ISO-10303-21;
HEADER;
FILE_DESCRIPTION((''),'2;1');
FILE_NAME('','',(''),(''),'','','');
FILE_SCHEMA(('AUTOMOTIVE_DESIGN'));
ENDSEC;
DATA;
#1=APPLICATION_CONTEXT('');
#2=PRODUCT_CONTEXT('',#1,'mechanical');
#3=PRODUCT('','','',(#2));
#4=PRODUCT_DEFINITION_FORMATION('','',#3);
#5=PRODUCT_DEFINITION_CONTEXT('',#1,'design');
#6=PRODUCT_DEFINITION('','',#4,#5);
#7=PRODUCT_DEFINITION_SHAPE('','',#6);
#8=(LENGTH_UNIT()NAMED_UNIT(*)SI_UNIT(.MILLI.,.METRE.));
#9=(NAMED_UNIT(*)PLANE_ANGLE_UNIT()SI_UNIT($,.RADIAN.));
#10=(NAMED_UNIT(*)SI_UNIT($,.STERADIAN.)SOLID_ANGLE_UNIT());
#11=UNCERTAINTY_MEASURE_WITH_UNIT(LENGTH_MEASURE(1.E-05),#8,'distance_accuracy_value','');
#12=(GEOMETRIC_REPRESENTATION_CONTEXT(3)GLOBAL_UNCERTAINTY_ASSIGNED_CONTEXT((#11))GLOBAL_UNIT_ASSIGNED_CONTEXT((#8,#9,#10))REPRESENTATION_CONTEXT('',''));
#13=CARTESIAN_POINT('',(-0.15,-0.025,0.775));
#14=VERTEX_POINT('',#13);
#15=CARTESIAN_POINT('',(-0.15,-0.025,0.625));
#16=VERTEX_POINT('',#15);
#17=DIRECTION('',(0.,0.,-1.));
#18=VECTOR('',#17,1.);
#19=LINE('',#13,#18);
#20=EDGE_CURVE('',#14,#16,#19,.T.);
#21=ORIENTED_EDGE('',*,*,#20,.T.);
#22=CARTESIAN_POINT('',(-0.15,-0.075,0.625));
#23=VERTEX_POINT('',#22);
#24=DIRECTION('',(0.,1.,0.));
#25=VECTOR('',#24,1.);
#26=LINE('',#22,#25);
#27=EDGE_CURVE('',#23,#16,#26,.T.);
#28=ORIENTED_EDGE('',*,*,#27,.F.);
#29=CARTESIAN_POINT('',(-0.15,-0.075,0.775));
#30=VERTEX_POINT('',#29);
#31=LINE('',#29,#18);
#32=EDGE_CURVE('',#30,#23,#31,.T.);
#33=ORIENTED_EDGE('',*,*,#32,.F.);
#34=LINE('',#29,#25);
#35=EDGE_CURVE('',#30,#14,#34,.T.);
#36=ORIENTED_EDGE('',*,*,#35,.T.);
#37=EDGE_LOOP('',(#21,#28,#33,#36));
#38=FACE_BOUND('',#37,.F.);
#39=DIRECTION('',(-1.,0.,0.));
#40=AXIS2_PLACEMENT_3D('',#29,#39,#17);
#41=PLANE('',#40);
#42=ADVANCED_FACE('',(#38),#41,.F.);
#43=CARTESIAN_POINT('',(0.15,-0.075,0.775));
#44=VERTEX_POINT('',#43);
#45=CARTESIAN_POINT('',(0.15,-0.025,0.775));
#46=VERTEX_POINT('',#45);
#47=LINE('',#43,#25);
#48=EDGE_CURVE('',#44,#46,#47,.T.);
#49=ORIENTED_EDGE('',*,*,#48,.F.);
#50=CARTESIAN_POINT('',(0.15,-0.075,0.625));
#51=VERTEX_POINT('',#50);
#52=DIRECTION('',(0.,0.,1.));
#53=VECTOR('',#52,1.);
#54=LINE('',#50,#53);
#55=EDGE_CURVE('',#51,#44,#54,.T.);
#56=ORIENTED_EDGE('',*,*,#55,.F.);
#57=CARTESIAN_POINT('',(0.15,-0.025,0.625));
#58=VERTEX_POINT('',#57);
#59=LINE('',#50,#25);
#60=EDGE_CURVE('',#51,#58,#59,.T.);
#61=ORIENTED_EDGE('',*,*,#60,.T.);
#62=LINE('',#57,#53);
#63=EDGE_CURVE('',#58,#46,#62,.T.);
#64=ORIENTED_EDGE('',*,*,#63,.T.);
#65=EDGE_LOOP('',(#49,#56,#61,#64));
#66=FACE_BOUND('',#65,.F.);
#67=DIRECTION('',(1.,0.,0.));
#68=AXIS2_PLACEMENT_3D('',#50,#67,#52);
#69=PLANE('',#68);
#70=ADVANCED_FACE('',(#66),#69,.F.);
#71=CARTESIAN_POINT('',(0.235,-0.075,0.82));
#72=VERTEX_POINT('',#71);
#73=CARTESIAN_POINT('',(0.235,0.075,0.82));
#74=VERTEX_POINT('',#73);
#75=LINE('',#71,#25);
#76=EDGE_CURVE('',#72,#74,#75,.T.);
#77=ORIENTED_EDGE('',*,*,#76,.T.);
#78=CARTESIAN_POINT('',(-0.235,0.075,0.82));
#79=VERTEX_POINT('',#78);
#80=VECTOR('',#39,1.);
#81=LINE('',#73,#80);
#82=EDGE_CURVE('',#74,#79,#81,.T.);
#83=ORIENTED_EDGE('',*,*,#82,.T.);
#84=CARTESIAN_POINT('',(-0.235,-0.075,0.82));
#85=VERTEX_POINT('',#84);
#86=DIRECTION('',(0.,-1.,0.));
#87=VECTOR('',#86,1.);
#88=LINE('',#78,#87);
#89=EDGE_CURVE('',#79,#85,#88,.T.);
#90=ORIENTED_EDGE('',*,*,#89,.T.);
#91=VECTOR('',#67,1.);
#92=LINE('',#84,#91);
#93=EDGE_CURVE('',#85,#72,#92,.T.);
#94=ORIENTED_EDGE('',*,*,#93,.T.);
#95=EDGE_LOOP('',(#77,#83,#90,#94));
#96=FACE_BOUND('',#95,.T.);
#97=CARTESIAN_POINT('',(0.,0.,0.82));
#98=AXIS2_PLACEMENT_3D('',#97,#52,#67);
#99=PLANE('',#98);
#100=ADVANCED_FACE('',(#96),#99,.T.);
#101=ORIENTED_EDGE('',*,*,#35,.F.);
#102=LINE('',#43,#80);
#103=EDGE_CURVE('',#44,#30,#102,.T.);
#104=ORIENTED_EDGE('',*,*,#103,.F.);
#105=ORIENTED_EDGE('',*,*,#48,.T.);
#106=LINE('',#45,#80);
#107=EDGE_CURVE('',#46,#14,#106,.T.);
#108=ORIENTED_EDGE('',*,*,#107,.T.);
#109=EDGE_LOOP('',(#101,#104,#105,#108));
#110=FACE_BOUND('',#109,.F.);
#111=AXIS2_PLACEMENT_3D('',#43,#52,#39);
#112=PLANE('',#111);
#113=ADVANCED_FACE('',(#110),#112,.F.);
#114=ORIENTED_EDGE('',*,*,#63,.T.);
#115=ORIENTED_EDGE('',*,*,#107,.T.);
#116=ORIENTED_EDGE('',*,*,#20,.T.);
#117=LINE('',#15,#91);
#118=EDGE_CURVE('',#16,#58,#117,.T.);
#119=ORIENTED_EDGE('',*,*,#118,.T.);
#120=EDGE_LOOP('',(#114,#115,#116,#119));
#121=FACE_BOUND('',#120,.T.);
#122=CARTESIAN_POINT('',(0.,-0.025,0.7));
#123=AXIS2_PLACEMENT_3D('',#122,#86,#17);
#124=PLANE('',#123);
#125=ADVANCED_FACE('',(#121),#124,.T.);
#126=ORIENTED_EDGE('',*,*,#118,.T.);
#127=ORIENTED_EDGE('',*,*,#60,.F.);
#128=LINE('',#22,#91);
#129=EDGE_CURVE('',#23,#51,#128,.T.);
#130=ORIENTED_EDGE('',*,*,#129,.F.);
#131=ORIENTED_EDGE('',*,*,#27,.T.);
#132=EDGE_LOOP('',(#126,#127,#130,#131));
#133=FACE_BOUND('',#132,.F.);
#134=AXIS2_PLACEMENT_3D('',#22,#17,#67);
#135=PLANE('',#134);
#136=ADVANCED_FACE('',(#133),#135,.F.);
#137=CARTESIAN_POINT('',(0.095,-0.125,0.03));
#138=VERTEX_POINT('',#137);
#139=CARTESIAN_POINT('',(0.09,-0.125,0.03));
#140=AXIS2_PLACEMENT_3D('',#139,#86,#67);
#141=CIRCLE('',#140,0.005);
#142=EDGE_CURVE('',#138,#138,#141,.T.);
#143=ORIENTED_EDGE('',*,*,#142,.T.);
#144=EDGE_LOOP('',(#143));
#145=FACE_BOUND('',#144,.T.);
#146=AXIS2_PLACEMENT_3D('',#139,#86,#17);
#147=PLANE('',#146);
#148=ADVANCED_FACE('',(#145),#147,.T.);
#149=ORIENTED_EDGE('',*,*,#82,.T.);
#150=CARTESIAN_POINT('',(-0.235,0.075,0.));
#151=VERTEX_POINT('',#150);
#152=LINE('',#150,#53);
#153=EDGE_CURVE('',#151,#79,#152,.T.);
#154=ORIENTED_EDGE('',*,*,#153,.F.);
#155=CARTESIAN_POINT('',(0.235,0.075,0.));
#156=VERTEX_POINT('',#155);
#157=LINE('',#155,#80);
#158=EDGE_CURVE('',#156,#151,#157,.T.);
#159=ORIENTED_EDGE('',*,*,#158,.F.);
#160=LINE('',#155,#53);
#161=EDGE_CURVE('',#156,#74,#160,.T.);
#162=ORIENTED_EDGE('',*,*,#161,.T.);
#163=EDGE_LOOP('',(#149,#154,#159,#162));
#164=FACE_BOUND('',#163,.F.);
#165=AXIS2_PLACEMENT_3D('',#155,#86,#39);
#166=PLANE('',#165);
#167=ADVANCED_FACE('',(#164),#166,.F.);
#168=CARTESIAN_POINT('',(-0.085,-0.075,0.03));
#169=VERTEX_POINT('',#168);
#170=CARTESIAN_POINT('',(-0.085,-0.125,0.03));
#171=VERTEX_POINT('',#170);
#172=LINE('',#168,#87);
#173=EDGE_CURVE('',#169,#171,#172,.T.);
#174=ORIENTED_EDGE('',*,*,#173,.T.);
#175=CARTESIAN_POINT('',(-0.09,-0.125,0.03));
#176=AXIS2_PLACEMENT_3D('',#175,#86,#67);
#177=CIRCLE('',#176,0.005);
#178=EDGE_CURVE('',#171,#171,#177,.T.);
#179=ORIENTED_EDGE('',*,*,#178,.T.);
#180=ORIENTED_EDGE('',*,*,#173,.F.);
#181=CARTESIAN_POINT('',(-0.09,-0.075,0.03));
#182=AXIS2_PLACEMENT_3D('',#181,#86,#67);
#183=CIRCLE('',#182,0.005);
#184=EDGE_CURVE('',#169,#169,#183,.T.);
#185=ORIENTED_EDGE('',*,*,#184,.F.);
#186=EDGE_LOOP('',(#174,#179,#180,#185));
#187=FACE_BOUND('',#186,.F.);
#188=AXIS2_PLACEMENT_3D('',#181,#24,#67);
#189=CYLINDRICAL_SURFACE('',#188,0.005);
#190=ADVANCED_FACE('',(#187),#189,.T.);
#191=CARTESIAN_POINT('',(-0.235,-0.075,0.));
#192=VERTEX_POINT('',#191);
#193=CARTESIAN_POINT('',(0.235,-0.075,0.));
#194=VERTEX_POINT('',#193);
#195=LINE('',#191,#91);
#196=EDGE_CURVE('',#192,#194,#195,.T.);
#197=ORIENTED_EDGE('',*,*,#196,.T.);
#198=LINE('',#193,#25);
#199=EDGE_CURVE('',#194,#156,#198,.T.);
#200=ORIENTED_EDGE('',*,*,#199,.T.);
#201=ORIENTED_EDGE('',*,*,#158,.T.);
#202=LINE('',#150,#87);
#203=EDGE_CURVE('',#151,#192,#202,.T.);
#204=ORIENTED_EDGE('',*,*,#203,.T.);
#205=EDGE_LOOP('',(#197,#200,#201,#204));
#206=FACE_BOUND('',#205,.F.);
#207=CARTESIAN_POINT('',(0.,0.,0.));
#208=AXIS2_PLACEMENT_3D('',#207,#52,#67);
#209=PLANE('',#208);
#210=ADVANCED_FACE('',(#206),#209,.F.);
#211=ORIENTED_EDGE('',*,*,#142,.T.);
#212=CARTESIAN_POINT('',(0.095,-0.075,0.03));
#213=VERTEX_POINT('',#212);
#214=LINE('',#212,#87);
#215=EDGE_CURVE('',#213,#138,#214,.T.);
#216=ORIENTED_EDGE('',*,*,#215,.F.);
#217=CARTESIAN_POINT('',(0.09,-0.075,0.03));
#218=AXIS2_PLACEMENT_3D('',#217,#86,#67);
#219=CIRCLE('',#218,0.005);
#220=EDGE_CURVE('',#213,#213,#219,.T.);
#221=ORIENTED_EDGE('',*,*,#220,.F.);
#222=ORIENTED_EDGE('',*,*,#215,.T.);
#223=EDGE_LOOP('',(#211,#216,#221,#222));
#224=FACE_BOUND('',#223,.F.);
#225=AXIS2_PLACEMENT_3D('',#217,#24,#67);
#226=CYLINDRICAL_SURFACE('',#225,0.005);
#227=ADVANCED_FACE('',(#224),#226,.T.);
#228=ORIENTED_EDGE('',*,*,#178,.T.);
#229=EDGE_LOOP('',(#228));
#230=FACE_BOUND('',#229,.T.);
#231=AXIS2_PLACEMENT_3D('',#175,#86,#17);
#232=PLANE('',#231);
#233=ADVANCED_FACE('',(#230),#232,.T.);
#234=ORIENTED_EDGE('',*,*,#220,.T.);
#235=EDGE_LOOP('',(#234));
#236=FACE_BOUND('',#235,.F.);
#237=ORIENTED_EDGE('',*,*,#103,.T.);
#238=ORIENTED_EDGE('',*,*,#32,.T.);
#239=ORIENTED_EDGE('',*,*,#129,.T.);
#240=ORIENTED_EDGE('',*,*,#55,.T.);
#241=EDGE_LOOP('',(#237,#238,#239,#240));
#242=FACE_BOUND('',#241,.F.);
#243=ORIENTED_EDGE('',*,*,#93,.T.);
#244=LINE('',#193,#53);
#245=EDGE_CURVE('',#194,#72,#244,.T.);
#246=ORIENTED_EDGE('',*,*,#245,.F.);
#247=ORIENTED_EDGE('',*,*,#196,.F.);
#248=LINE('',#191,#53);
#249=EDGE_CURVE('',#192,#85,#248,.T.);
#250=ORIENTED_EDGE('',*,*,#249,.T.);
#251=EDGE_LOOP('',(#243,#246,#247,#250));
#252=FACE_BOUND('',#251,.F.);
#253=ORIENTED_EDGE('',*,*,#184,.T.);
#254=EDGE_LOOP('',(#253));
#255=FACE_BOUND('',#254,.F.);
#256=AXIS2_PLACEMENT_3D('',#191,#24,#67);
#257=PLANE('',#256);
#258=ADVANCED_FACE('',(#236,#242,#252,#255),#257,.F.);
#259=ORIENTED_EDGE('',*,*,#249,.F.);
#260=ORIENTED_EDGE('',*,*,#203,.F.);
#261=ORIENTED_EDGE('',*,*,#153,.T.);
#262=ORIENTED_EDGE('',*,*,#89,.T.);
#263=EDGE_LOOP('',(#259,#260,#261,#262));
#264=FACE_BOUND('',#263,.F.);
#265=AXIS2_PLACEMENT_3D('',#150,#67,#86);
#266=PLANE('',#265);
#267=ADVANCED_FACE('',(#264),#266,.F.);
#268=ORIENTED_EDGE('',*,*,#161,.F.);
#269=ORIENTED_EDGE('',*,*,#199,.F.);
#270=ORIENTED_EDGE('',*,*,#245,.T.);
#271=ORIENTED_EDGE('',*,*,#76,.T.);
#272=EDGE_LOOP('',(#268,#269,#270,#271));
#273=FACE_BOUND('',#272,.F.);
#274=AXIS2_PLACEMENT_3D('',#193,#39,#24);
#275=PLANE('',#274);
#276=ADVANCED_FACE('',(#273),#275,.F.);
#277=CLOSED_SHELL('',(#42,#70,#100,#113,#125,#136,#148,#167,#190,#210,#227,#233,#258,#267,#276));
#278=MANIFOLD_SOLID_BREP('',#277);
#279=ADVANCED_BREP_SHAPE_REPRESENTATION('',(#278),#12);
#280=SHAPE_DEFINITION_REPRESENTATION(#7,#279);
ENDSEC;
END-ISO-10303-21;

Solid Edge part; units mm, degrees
sketch "Sketch1" plane through (0, 0, 0) normal (0, 0, 1) x (1, 0, 0)
  line L0 (-0.235, -0.075) -> (0.235, -0.075)
  line L1 (0.235, -0.075) -> (0.235, 0.075)
  line L2 (0.235, 0.075) -> (-0.235, 0.075)
  line L3 (-0.235, 0.075) -> (-0.235, -0.075)
  dimension "D1" = 0.15
  dimension "D2" = 0.47
extrude "Protrusion1" add sketch "Sketch1" along normal blind 0.82
sketch "Sketch2" plane through (0, -0.075, 0.395) normal (0, -1, 0) x (1, 0, 0)
  line L0 (-0.15, 0.23) -> (0.15, 0.23)
  line L1 (0.15, 0.23) -> (0.15, 0.38)
  line L2 (0.15, 0.38) -> (-0.15, 0.38)
  line L3 (-0.15, 0.38) -> (-0.15, 0.23)
  dimension "D1" = 0.7
  dimension "D2" = 0.3
  dimension "D3" = 0.15
extrude "Ausschnitt_1" cut sketch "Sketch2" against normal blind 0.05
sketch "Sketch3" plane through (0, -0.075, 0.41) normal (0, -1, 0) x (1, 0, 0)
  circle A0 centre (0.09, -0.38) radius 0.005
  circle A1 centre (-0.09, -0.38) radius 0.005
  dimension "D1" = 0.03
  dimension "D2" = 0.18
  dimension "D3" = 0.01
extrude "Ausprägung_2" add sketch "Sketch3" along normal blind 0.05
